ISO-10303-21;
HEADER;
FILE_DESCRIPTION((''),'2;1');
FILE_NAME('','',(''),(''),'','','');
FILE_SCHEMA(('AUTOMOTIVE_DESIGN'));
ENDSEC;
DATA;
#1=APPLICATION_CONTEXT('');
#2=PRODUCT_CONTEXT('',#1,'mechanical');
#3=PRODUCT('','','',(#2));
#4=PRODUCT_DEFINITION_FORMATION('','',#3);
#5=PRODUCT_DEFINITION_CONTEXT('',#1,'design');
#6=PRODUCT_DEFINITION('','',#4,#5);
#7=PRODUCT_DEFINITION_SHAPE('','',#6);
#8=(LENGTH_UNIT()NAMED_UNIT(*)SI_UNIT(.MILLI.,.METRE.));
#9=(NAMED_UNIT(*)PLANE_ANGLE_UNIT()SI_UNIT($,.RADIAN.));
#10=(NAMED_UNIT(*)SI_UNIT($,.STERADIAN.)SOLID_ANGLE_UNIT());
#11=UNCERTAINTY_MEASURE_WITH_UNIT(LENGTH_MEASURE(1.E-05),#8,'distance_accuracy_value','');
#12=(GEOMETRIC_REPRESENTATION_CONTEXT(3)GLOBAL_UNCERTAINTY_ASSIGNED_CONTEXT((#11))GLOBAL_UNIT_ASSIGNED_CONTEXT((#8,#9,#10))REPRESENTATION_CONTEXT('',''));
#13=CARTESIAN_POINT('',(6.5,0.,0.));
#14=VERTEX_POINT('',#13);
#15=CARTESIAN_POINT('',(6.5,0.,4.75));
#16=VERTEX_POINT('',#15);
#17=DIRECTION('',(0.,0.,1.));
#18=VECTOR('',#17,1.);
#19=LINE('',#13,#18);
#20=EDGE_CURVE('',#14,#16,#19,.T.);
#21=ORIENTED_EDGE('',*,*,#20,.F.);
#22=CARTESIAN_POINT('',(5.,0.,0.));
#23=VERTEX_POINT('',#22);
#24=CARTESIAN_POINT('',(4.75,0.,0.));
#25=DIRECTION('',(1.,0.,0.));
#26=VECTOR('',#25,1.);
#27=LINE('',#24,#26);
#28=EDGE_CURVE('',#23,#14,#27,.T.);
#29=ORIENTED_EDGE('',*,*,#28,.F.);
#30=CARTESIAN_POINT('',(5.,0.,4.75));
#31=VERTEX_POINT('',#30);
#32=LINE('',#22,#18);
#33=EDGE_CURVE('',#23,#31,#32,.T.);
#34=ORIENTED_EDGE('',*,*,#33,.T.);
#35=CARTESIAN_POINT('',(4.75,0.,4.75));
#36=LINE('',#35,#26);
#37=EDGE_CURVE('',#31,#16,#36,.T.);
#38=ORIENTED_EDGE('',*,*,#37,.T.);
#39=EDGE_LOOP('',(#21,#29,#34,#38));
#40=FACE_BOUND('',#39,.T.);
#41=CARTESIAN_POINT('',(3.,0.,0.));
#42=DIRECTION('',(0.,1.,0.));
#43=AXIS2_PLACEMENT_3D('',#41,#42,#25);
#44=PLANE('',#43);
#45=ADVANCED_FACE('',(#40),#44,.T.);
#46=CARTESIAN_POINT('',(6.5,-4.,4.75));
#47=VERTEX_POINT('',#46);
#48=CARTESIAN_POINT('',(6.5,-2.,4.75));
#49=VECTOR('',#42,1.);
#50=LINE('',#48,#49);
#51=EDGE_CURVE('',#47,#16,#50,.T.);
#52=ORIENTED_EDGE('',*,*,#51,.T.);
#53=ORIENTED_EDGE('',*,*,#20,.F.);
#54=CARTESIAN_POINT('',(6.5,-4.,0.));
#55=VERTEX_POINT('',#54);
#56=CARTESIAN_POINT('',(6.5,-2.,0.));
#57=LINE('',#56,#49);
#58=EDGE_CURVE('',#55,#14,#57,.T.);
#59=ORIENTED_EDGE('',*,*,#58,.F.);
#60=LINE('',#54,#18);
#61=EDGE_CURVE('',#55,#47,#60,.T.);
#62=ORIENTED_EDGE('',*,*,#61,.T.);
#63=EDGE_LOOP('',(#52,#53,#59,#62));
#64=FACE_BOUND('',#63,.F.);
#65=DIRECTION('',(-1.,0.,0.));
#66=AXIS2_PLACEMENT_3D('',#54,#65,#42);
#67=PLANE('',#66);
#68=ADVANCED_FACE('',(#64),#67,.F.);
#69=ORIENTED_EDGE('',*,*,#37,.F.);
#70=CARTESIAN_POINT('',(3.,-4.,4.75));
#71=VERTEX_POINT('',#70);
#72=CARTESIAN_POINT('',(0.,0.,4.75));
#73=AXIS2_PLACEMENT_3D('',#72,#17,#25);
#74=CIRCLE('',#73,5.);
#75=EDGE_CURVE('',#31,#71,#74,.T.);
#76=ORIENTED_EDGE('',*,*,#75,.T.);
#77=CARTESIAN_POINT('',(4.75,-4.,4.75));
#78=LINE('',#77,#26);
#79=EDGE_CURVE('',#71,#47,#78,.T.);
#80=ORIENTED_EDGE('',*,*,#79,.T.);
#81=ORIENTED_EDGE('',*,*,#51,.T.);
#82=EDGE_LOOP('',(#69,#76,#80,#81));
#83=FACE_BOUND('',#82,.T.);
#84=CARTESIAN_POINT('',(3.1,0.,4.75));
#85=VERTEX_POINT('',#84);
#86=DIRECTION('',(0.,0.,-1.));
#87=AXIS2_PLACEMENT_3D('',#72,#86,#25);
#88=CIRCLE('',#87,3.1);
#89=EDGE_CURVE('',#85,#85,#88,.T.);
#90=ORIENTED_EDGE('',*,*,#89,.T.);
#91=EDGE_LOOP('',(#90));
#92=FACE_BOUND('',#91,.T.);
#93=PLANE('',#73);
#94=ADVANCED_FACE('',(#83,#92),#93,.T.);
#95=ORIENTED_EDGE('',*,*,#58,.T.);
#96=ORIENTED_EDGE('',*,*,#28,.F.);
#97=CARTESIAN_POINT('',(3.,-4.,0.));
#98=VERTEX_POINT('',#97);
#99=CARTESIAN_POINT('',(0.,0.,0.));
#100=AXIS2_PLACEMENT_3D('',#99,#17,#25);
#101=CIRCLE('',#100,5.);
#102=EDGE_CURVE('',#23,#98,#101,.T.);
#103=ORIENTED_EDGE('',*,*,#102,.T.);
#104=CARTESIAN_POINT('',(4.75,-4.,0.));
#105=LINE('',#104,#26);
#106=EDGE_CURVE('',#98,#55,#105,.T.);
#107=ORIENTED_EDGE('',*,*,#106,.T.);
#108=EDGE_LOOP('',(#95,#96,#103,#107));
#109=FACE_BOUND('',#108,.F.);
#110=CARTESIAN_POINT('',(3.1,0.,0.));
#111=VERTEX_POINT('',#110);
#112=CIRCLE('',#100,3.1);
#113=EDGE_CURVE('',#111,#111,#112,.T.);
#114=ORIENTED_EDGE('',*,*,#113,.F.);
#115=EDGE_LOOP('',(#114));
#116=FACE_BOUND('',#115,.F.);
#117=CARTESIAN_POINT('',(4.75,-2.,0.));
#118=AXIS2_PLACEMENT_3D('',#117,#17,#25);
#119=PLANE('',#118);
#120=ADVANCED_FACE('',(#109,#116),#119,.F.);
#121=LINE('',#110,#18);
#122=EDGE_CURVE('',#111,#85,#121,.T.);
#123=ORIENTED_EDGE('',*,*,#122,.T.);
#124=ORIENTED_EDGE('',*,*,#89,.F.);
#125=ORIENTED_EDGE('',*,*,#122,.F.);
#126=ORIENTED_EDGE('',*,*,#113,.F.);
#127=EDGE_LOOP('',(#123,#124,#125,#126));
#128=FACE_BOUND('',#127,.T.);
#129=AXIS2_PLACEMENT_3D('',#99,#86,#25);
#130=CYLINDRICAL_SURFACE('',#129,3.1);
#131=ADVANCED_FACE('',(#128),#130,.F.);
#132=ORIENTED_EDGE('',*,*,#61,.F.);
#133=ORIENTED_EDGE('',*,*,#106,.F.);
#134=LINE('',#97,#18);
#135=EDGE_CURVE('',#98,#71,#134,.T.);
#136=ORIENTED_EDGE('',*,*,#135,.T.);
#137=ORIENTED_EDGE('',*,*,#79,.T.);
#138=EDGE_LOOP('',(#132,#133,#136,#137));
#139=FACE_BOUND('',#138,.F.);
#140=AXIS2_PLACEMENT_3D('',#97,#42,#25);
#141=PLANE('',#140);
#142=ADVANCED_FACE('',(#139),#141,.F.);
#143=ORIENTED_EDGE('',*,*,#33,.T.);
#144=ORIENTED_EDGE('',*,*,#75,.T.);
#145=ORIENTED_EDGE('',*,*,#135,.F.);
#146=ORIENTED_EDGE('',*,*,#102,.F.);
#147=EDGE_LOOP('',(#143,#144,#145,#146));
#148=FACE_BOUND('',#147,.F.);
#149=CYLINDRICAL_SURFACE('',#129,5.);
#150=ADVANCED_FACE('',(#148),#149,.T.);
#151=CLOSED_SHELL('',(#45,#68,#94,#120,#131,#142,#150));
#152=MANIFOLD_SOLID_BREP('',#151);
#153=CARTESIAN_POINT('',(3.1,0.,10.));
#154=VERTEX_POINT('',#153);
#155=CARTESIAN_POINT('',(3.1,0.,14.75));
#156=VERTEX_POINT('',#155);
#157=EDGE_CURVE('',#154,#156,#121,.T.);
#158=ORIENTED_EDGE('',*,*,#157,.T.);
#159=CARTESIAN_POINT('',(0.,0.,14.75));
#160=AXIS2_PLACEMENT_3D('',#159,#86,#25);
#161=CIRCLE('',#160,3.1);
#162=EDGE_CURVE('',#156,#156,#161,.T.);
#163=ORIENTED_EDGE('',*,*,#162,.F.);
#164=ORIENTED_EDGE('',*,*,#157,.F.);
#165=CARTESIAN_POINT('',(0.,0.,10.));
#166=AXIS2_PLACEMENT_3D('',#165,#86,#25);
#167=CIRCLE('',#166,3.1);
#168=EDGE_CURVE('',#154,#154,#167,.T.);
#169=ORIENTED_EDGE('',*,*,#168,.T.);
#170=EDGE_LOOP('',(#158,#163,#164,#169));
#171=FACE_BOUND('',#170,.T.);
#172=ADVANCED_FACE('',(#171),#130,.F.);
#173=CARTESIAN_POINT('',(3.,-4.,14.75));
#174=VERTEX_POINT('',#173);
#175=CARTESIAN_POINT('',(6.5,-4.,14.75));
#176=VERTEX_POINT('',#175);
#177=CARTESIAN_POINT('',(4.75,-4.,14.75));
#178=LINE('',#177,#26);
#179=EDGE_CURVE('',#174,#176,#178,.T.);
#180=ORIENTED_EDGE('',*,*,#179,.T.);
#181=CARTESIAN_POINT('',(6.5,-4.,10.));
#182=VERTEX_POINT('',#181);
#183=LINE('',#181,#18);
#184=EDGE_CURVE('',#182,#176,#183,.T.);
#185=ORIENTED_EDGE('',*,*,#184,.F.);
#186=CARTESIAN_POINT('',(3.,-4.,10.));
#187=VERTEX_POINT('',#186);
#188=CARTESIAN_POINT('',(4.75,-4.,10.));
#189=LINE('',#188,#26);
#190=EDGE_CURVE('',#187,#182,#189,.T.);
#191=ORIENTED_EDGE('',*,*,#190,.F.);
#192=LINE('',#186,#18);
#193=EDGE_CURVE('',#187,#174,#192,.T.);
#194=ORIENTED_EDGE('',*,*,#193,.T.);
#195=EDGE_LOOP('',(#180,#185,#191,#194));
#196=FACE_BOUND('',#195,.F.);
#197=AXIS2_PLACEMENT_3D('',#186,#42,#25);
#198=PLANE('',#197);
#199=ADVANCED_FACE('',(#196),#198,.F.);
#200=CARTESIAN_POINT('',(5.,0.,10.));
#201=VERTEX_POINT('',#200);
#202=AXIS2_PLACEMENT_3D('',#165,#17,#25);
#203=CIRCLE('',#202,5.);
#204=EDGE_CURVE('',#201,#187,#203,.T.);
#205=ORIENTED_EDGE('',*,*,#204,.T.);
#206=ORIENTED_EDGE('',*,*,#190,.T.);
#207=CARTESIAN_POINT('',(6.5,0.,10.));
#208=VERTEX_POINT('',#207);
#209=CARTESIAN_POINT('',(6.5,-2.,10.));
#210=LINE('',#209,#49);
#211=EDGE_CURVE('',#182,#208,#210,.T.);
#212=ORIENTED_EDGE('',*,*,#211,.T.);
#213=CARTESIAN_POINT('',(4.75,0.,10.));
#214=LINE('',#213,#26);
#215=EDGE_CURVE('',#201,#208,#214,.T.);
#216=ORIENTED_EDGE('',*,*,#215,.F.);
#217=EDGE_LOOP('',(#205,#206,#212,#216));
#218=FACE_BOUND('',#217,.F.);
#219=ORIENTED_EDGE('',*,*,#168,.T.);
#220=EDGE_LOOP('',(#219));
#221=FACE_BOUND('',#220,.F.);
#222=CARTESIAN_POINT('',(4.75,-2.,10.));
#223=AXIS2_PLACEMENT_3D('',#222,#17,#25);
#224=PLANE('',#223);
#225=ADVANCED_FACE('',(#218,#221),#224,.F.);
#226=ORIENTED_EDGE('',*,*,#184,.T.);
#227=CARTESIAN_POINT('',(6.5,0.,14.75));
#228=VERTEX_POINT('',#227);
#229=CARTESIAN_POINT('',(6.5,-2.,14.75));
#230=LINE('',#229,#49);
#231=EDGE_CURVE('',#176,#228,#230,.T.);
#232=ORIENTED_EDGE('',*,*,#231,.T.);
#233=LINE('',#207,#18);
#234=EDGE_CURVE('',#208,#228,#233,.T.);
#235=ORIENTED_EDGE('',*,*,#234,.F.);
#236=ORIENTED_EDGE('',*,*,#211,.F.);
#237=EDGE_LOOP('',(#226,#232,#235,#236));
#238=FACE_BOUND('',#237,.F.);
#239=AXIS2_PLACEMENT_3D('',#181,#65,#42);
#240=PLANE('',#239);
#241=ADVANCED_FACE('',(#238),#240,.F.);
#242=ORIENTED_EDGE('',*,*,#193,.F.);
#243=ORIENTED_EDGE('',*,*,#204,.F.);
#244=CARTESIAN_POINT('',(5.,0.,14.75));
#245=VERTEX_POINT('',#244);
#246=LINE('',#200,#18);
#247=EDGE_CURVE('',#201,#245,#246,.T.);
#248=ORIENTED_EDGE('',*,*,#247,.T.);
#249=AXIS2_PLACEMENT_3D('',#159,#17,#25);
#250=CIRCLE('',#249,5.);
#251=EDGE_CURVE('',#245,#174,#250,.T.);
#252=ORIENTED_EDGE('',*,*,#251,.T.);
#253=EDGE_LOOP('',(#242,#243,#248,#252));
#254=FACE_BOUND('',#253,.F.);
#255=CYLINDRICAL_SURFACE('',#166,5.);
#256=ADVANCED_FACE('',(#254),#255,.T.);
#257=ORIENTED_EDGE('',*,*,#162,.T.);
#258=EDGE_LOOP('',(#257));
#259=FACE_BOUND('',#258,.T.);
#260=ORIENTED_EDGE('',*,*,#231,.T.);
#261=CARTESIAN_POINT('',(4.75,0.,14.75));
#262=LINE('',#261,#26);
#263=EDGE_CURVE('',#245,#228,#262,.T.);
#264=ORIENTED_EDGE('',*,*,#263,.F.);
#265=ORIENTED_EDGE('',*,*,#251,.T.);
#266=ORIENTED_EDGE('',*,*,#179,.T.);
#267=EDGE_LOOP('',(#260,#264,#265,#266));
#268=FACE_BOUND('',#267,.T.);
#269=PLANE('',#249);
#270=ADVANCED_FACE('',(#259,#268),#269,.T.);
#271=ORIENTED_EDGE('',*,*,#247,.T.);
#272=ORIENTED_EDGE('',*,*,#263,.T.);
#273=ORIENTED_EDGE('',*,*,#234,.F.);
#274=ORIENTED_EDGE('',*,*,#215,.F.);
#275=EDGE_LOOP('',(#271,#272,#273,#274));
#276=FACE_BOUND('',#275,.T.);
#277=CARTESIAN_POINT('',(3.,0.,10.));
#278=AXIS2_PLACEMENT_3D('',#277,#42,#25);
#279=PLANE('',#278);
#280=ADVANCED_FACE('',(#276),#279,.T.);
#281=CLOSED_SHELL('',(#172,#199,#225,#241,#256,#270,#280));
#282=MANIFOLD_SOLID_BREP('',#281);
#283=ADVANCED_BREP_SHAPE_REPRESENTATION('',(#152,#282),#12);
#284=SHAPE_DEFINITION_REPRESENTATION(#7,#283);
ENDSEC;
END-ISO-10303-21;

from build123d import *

# Parameters (mm, degrees)
CYLINDER010_R     = 3.1
CYLINDER010_DEPTH = 20
CYLINDER002_R     = 5
CYLINDER002_DEPTH = 4.75
BOX002_W          = 3.5
BOX002_H          = 4
BOX002_DEPTH      = 4.75
BOX004_W          = 3.5
BOX004_H          = 4
BOX004_DEPTH      = 4.75
CYLINDER_R        = 5
CYLINDER_DEPTH    = 4.75


with BuildPart() as cylinder010:
    # Cylinder010 → Cylinder010 (new body)
    with BuildSketch(Plane.XY):
        Circle(CYLINDER010_R)
    extrude(amount=CYLINDER010_DEPTH)


with BuildPart() as cylinder002:
    # Cylinder002 → Cylinder002 (new body)
    with BuildSketch(Plane.XY.offset(10)):
        Circle(CYLINDER002_R)
    extrude(amount=CYLINDER002_DEPTH)


with BuildPart() as cube002:
    # Box002 → Box002 (new body)
    with BuildSketch(Plane(origin=(3, -4, 0), x_dir=(1, 0, 0), z_dir=(0, 0, 1))):
        with Locations((1.75, 2)):
            Rectangle(BOX002_W, BOX002_H)
    extrude(amount=BOX002_DEPTH)


with BuildPart() as cube004:
    # Box004 → Box004 (new body)
    with BuildSketch(Plane(origin=(3, -4, 10), x_dir=(1, 0, 0), z_dir=(0, 0, 1))):
        with Locations((1.75, 2)):
            Rectangle(BOX004_W, BOX004_H)
    extrude(amount=BOX004_DEPTH)


with BuildPart() as hinge_unthreaded:
    # Cylinder → Cylinder (new body)
    with BuildSketch(Plane.XY):
        Circle(CYLINDER_R)
    extrude(amount=CYLINDER_DEPTH)

    # Connect004: union Cylinder002, Cube002, Cube004
    add(cylinder002.part)
    add(cube002.part)
    add(cube004.part)

    # Cut001: cut Cylinder010
    add(cylinder010.part, mode=Mode.SUBTRACT)


solid = hinge_unthreaded.part
